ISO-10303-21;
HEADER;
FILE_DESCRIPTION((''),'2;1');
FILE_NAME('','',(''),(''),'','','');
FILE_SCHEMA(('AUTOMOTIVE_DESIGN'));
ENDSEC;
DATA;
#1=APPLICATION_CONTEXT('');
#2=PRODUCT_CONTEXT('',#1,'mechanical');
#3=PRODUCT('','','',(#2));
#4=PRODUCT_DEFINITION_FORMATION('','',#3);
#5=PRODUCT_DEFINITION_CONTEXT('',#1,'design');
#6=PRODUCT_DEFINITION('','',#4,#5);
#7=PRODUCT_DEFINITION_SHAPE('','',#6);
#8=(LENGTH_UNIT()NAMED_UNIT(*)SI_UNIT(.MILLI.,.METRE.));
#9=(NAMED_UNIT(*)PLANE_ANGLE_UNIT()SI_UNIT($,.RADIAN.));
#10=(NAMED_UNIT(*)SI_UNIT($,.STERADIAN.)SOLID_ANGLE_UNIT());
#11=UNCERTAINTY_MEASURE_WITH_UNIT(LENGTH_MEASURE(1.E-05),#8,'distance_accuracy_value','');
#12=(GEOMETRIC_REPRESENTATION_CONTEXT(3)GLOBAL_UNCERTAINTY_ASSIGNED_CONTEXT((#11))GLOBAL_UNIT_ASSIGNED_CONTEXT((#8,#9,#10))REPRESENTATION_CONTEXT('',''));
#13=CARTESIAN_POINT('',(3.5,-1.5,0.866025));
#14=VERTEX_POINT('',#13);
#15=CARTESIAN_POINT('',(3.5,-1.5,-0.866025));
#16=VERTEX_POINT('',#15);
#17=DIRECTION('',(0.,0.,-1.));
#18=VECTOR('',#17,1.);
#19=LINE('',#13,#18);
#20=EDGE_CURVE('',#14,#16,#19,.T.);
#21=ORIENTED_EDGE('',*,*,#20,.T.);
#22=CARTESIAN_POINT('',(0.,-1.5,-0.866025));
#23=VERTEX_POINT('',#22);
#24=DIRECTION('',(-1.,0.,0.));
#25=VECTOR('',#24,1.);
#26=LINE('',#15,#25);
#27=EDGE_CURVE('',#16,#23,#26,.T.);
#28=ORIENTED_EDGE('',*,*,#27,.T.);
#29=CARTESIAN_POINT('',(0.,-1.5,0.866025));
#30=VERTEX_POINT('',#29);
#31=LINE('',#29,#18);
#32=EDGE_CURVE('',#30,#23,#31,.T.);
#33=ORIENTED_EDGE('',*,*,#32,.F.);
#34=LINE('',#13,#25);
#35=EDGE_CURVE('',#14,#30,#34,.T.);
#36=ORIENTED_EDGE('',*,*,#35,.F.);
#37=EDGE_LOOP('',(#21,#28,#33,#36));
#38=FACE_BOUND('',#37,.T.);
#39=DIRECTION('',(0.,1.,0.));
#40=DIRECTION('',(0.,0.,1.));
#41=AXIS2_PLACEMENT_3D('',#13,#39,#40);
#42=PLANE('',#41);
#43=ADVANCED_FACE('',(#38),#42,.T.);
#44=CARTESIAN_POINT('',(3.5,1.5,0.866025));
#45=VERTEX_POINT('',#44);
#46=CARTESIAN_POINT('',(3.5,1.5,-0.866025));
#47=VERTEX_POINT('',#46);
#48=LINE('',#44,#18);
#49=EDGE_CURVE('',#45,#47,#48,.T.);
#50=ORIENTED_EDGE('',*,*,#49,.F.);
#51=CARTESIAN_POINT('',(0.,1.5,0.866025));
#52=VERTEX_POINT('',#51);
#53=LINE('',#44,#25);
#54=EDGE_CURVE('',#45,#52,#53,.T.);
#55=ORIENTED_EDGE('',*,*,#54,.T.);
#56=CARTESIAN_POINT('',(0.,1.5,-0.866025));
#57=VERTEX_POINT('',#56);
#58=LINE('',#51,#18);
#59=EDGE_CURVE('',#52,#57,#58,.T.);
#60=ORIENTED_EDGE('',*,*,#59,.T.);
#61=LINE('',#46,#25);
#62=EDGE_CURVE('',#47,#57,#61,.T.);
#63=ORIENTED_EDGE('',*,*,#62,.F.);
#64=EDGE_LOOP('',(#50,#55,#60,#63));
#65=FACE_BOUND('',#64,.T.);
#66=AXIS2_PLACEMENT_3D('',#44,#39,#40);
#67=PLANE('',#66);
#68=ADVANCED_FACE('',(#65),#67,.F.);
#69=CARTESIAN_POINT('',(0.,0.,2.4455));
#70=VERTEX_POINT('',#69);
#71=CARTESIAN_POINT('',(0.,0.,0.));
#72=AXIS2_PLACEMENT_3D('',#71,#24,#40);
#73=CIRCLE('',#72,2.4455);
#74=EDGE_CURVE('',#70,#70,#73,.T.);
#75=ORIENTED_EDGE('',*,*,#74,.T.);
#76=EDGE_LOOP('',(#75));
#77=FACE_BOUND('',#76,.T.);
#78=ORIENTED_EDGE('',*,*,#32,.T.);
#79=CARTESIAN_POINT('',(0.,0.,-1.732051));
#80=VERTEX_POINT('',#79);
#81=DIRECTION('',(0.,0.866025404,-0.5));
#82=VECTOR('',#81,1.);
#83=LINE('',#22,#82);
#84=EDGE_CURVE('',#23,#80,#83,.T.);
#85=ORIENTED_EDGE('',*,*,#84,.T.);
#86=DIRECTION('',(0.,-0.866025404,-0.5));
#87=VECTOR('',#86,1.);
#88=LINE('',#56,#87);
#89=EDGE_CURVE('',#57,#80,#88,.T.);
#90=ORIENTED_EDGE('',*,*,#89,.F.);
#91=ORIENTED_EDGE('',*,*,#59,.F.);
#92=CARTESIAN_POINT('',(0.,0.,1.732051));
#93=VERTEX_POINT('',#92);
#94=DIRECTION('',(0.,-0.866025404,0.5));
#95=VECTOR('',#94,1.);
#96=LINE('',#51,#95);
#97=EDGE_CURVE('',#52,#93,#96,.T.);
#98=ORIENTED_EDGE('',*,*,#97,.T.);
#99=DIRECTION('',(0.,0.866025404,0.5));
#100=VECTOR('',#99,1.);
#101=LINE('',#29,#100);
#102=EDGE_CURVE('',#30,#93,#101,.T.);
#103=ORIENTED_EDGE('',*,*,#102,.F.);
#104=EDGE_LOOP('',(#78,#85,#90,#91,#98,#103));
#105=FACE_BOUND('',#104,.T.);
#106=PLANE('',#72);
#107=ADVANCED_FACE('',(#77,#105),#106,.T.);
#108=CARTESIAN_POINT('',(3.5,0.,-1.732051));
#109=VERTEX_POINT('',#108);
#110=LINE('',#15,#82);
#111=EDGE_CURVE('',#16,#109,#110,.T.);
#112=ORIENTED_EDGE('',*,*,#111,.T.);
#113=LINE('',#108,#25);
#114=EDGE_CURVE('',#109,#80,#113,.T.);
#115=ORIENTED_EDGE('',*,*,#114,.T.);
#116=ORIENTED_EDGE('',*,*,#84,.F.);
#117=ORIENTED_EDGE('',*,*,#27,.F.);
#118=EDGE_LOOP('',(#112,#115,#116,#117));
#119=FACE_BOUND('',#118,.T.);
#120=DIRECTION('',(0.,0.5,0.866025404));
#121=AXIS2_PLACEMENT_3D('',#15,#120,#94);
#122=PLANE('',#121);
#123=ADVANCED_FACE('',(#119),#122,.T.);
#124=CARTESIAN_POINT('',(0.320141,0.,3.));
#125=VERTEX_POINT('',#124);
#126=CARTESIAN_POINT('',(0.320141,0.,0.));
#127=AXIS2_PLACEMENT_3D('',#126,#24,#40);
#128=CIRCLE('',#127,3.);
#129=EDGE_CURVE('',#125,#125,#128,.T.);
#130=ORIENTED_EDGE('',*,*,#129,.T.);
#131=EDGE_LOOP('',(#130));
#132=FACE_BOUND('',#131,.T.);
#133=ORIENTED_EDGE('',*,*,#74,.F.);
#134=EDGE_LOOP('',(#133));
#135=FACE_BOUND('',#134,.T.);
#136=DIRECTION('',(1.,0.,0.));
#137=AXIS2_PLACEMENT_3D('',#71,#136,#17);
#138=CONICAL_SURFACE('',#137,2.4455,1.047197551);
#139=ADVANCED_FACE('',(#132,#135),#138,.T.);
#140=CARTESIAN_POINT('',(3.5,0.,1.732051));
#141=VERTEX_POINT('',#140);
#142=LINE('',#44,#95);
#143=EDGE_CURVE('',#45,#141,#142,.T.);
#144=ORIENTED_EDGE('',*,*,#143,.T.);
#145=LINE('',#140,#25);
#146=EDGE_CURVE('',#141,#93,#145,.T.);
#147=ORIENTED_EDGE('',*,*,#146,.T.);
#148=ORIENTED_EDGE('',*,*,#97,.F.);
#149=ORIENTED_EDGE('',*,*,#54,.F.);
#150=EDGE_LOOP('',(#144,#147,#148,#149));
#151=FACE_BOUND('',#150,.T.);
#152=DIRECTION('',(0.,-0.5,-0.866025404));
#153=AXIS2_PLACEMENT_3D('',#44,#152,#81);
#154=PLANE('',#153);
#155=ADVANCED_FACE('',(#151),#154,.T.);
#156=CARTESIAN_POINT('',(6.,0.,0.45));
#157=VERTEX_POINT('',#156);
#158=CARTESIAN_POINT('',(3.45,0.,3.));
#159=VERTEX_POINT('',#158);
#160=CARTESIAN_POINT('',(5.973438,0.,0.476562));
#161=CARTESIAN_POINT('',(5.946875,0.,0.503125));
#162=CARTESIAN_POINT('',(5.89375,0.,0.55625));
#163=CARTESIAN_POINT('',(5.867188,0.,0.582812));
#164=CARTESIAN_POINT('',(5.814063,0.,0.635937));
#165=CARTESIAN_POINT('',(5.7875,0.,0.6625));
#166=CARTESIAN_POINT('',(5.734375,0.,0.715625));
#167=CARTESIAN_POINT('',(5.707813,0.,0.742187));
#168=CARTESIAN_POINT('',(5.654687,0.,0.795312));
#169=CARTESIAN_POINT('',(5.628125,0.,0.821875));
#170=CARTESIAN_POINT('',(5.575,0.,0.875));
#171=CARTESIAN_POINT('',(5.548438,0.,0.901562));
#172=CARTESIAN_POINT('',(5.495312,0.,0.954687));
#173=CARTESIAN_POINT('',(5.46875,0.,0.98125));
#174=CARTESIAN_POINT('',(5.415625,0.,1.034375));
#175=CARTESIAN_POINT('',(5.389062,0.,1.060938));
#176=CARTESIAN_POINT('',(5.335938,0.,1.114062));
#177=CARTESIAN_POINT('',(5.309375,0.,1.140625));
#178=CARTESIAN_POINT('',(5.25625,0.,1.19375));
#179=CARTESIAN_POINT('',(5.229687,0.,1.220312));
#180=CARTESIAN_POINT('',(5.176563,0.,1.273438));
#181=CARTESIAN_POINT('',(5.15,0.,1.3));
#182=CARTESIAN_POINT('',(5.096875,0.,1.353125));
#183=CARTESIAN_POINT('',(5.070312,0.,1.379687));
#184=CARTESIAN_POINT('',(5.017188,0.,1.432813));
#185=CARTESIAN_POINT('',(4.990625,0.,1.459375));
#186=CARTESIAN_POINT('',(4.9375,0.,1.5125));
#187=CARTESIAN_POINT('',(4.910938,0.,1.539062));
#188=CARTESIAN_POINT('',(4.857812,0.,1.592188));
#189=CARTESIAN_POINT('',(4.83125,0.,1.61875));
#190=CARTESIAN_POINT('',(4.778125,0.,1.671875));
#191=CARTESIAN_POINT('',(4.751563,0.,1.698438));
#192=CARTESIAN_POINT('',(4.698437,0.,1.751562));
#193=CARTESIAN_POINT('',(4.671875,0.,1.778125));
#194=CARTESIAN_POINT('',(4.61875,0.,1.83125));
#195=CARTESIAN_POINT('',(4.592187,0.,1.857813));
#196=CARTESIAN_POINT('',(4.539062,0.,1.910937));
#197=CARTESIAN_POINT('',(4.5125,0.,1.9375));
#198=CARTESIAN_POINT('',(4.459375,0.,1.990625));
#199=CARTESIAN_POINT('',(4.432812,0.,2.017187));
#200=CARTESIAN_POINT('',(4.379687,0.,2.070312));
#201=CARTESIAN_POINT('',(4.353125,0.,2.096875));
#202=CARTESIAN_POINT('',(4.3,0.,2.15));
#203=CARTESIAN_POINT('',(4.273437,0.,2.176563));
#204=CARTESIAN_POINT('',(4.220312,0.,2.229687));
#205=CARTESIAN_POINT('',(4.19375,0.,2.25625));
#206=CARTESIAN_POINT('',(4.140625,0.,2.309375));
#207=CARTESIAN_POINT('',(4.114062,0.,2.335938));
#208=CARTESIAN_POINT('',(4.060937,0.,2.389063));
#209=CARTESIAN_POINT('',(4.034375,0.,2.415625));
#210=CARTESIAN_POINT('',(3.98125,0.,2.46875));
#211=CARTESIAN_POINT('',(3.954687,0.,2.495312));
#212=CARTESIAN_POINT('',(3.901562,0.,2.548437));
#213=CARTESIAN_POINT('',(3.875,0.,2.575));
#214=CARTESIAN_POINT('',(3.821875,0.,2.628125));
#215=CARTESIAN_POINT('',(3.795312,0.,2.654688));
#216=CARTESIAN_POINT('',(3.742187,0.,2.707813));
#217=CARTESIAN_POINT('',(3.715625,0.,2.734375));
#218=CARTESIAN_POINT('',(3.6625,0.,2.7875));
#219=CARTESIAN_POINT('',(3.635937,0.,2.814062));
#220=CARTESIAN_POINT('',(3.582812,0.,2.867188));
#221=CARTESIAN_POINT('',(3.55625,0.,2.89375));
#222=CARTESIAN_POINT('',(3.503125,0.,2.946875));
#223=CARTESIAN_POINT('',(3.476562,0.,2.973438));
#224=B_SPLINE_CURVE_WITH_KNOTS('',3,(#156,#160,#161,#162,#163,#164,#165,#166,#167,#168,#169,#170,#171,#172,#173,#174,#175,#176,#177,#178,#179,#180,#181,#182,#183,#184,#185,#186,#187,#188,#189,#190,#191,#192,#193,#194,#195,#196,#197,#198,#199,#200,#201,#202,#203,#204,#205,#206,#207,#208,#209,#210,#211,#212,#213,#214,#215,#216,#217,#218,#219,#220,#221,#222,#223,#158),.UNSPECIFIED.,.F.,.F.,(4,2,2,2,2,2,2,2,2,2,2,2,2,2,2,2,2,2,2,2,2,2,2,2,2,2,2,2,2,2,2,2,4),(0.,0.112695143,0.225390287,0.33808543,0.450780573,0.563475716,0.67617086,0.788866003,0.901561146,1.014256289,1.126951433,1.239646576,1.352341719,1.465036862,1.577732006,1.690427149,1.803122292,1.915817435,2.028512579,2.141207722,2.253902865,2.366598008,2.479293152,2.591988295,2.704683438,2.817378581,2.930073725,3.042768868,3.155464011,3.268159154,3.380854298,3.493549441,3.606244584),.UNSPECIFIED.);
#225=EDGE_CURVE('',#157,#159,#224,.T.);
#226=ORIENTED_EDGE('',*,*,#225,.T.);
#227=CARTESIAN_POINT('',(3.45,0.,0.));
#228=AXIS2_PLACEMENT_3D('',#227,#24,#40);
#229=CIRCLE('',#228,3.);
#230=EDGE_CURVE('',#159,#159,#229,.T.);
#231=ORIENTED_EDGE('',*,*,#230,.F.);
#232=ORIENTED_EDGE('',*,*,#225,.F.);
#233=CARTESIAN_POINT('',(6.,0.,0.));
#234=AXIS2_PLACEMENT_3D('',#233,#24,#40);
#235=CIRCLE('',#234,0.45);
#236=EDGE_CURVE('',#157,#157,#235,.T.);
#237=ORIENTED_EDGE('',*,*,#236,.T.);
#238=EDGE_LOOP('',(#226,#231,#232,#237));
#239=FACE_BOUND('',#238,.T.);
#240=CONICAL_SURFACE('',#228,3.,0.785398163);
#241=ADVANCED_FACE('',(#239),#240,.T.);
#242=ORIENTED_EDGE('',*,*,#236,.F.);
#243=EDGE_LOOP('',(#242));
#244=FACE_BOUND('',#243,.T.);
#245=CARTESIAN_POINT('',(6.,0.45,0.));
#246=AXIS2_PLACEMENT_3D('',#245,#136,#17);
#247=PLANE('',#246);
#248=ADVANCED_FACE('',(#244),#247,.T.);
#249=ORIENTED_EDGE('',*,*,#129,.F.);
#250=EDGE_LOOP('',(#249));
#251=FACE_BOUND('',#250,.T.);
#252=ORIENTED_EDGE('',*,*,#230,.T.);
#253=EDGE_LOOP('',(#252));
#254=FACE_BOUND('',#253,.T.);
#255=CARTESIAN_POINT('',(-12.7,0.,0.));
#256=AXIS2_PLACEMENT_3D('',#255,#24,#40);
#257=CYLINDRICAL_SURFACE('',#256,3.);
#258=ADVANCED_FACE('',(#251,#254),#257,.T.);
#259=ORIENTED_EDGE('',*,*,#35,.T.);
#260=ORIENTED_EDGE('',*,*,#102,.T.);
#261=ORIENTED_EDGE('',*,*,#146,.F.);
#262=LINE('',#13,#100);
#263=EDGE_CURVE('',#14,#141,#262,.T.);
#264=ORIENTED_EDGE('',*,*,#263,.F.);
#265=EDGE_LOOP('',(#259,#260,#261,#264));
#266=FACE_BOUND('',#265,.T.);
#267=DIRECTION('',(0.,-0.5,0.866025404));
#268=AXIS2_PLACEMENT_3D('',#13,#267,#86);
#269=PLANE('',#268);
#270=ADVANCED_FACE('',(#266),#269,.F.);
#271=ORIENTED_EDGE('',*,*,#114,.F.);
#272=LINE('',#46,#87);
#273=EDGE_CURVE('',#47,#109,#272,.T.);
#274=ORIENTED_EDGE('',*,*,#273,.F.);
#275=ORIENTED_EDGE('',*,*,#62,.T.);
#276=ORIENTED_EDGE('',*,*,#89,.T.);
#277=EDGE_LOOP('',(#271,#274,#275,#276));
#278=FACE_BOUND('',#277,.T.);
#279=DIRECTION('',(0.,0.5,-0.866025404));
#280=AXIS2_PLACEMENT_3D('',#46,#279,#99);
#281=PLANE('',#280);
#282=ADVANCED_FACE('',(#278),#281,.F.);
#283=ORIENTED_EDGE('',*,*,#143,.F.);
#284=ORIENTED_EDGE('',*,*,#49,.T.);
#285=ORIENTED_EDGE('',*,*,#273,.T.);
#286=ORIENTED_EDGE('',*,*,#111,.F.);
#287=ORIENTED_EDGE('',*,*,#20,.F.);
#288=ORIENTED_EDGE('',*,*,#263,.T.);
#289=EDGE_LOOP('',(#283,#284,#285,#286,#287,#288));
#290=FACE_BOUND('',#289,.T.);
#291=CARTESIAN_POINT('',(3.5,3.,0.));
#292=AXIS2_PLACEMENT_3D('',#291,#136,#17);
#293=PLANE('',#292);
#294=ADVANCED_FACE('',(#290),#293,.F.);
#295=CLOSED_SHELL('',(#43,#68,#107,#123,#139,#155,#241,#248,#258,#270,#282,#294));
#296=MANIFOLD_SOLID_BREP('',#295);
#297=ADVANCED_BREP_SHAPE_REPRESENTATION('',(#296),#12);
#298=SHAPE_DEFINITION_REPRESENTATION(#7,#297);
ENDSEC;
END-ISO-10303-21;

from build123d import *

# Parameters (mm, degrees)
HEX_2_DEPTH = 3.5


with BuildPart() as part:
    # BodySke → BaseBody (revolve)
    with BuildSketch(Plane.XY, mode=Mode.PRIVATE) as basebody_sk:
        Polygon((0, 0), (0, 2.4455), (0.320140724, 3), (3.45, 3), (6, 0.45), (6, 0), align=None)
    revolve(basebody_sk.sketch.rotate(Axis((-12.7, 0, 0), (1, 0, 0)), 90), axis=Axis((-12.7, 0, 0), (1, 0, 0)))

    # Sketch2 → Hex 2 (cut)
    with BuildSketch(Plane.ZY):
        Polygon((0.866025404, 1.5), (-0.866025404, 1.5), (-1.732050808, 0), (-0.866025404, -1.5), (0.866025404, -1.5), (1.732050808, 0), align=None)
    extrude(amount=-HEX_2_DEPTH, mode=Mode.SUBTRACT)


solid = part.part
